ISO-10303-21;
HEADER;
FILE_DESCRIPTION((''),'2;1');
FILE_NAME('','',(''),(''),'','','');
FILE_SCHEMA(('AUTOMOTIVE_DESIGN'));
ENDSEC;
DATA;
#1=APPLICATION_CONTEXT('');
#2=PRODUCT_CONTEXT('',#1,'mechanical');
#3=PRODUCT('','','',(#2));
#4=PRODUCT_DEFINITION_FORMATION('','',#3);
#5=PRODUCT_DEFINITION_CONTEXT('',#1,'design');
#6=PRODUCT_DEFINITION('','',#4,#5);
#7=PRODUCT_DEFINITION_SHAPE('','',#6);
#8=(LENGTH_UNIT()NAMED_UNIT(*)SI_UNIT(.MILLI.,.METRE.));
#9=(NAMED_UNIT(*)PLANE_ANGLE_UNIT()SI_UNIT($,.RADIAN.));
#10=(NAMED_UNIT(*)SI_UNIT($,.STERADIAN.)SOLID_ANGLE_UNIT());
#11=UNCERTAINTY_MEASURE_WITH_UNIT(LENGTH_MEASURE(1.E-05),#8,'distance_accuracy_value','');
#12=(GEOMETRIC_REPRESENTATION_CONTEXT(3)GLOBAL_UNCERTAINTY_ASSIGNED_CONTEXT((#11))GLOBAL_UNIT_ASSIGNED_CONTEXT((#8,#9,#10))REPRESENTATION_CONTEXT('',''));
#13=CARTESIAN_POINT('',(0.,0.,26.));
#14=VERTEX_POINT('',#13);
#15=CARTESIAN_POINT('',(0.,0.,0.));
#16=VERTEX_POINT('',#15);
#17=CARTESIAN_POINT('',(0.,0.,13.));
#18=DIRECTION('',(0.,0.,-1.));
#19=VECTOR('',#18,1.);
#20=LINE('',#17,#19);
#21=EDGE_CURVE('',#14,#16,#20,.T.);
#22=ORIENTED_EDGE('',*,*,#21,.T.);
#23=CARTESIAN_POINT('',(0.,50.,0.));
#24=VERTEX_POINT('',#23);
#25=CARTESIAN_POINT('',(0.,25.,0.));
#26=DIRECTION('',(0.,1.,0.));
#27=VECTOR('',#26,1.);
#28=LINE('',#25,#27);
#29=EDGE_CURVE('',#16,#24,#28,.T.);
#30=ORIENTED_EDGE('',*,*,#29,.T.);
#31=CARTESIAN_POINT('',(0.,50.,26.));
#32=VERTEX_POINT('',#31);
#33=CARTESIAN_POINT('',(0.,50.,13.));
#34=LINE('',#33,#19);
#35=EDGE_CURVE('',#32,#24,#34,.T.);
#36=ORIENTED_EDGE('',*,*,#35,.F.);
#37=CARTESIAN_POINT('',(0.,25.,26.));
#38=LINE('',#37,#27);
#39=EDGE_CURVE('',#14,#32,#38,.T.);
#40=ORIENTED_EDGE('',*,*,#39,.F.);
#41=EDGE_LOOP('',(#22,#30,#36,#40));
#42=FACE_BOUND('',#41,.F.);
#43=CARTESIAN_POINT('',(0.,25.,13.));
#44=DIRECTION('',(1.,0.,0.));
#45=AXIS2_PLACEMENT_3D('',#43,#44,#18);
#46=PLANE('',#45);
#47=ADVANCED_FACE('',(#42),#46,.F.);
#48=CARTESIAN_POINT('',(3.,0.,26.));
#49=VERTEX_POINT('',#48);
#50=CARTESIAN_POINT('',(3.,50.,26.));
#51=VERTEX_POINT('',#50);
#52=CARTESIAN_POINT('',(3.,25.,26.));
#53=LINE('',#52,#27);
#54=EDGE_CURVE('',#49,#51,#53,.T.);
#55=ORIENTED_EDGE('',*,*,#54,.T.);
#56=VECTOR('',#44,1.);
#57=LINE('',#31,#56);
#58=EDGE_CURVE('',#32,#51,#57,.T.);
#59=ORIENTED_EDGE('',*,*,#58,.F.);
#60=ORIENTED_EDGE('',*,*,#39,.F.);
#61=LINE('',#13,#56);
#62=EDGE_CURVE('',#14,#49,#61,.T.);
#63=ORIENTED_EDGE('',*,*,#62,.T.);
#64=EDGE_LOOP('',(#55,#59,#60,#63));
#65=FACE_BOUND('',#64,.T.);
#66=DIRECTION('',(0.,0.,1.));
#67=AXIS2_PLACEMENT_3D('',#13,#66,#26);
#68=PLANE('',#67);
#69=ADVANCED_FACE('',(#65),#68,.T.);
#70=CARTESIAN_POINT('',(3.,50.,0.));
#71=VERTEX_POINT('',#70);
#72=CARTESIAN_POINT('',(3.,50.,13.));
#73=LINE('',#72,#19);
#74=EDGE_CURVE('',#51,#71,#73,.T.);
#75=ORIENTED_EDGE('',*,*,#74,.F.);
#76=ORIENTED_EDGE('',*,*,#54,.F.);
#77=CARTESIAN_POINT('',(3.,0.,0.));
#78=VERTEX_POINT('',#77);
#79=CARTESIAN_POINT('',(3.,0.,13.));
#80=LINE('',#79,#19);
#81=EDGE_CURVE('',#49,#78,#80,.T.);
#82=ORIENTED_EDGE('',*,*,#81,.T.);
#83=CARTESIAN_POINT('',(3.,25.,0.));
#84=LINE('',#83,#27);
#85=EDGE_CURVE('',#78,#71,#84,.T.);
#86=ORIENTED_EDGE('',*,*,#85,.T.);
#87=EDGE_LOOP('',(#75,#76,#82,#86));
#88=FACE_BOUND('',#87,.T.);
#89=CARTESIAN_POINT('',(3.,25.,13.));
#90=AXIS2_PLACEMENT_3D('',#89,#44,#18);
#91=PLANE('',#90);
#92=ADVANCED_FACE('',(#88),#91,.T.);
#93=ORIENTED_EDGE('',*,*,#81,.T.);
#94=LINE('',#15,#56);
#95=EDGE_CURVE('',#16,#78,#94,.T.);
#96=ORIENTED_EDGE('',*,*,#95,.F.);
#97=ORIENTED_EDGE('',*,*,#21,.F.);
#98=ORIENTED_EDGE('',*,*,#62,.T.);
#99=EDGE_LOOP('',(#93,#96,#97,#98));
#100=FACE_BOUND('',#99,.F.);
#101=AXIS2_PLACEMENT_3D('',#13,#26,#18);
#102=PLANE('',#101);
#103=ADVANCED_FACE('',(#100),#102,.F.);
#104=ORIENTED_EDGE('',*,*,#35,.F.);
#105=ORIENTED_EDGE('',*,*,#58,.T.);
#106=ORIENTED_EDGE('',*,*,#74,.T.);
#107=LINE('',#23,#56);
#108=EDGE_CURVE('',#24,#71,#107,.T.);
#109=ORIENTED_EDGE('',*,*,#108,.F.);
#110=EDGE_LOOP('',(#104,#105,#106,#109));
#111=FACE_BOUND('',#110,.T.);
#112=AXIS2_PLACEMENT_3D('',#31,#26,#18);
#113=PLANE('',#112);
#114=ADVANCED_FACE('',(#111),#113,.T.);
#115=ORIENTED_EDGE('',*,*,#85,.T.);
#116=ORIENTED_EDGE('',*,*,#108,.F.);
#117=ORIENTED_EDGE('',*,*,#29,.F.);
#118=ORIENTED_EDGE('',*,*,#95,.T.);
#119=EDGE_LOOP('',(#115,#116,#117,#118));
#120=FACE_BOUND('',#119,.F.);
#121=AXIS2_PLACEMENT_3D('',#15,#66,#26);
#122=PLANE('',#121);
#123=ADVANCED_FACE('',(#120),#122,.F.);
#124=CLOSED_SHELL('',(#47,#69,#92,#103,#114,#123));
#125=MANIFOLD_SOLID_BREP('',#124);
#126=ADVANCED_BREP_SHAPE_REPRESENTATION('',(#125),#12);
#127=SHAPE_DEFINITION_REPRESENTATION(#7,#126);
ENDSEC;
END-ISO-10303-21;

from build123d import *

# Parameters (mm, degrees)
CROQUIS1_W              = 26
CROQUIS1_H              = 50
SALIENTE_EXTRUIR1_DEPTH = 3


with BuildPart() as part:
    # Croquis1 → Saliente-Extruir1 (new body)
    with BuildSketch(Plane(origin=(0, 0, 0), x_dir=(0, 0, -1), z_dir=(1, 0, 0))):
        with Locations((-13, 25)):
            Rectangle(CROQUIS1_W, CROQUIS1_H)
    extrude(amount=SALIENTE_EXTRUIR1_DEPTH)


solid = part.part
